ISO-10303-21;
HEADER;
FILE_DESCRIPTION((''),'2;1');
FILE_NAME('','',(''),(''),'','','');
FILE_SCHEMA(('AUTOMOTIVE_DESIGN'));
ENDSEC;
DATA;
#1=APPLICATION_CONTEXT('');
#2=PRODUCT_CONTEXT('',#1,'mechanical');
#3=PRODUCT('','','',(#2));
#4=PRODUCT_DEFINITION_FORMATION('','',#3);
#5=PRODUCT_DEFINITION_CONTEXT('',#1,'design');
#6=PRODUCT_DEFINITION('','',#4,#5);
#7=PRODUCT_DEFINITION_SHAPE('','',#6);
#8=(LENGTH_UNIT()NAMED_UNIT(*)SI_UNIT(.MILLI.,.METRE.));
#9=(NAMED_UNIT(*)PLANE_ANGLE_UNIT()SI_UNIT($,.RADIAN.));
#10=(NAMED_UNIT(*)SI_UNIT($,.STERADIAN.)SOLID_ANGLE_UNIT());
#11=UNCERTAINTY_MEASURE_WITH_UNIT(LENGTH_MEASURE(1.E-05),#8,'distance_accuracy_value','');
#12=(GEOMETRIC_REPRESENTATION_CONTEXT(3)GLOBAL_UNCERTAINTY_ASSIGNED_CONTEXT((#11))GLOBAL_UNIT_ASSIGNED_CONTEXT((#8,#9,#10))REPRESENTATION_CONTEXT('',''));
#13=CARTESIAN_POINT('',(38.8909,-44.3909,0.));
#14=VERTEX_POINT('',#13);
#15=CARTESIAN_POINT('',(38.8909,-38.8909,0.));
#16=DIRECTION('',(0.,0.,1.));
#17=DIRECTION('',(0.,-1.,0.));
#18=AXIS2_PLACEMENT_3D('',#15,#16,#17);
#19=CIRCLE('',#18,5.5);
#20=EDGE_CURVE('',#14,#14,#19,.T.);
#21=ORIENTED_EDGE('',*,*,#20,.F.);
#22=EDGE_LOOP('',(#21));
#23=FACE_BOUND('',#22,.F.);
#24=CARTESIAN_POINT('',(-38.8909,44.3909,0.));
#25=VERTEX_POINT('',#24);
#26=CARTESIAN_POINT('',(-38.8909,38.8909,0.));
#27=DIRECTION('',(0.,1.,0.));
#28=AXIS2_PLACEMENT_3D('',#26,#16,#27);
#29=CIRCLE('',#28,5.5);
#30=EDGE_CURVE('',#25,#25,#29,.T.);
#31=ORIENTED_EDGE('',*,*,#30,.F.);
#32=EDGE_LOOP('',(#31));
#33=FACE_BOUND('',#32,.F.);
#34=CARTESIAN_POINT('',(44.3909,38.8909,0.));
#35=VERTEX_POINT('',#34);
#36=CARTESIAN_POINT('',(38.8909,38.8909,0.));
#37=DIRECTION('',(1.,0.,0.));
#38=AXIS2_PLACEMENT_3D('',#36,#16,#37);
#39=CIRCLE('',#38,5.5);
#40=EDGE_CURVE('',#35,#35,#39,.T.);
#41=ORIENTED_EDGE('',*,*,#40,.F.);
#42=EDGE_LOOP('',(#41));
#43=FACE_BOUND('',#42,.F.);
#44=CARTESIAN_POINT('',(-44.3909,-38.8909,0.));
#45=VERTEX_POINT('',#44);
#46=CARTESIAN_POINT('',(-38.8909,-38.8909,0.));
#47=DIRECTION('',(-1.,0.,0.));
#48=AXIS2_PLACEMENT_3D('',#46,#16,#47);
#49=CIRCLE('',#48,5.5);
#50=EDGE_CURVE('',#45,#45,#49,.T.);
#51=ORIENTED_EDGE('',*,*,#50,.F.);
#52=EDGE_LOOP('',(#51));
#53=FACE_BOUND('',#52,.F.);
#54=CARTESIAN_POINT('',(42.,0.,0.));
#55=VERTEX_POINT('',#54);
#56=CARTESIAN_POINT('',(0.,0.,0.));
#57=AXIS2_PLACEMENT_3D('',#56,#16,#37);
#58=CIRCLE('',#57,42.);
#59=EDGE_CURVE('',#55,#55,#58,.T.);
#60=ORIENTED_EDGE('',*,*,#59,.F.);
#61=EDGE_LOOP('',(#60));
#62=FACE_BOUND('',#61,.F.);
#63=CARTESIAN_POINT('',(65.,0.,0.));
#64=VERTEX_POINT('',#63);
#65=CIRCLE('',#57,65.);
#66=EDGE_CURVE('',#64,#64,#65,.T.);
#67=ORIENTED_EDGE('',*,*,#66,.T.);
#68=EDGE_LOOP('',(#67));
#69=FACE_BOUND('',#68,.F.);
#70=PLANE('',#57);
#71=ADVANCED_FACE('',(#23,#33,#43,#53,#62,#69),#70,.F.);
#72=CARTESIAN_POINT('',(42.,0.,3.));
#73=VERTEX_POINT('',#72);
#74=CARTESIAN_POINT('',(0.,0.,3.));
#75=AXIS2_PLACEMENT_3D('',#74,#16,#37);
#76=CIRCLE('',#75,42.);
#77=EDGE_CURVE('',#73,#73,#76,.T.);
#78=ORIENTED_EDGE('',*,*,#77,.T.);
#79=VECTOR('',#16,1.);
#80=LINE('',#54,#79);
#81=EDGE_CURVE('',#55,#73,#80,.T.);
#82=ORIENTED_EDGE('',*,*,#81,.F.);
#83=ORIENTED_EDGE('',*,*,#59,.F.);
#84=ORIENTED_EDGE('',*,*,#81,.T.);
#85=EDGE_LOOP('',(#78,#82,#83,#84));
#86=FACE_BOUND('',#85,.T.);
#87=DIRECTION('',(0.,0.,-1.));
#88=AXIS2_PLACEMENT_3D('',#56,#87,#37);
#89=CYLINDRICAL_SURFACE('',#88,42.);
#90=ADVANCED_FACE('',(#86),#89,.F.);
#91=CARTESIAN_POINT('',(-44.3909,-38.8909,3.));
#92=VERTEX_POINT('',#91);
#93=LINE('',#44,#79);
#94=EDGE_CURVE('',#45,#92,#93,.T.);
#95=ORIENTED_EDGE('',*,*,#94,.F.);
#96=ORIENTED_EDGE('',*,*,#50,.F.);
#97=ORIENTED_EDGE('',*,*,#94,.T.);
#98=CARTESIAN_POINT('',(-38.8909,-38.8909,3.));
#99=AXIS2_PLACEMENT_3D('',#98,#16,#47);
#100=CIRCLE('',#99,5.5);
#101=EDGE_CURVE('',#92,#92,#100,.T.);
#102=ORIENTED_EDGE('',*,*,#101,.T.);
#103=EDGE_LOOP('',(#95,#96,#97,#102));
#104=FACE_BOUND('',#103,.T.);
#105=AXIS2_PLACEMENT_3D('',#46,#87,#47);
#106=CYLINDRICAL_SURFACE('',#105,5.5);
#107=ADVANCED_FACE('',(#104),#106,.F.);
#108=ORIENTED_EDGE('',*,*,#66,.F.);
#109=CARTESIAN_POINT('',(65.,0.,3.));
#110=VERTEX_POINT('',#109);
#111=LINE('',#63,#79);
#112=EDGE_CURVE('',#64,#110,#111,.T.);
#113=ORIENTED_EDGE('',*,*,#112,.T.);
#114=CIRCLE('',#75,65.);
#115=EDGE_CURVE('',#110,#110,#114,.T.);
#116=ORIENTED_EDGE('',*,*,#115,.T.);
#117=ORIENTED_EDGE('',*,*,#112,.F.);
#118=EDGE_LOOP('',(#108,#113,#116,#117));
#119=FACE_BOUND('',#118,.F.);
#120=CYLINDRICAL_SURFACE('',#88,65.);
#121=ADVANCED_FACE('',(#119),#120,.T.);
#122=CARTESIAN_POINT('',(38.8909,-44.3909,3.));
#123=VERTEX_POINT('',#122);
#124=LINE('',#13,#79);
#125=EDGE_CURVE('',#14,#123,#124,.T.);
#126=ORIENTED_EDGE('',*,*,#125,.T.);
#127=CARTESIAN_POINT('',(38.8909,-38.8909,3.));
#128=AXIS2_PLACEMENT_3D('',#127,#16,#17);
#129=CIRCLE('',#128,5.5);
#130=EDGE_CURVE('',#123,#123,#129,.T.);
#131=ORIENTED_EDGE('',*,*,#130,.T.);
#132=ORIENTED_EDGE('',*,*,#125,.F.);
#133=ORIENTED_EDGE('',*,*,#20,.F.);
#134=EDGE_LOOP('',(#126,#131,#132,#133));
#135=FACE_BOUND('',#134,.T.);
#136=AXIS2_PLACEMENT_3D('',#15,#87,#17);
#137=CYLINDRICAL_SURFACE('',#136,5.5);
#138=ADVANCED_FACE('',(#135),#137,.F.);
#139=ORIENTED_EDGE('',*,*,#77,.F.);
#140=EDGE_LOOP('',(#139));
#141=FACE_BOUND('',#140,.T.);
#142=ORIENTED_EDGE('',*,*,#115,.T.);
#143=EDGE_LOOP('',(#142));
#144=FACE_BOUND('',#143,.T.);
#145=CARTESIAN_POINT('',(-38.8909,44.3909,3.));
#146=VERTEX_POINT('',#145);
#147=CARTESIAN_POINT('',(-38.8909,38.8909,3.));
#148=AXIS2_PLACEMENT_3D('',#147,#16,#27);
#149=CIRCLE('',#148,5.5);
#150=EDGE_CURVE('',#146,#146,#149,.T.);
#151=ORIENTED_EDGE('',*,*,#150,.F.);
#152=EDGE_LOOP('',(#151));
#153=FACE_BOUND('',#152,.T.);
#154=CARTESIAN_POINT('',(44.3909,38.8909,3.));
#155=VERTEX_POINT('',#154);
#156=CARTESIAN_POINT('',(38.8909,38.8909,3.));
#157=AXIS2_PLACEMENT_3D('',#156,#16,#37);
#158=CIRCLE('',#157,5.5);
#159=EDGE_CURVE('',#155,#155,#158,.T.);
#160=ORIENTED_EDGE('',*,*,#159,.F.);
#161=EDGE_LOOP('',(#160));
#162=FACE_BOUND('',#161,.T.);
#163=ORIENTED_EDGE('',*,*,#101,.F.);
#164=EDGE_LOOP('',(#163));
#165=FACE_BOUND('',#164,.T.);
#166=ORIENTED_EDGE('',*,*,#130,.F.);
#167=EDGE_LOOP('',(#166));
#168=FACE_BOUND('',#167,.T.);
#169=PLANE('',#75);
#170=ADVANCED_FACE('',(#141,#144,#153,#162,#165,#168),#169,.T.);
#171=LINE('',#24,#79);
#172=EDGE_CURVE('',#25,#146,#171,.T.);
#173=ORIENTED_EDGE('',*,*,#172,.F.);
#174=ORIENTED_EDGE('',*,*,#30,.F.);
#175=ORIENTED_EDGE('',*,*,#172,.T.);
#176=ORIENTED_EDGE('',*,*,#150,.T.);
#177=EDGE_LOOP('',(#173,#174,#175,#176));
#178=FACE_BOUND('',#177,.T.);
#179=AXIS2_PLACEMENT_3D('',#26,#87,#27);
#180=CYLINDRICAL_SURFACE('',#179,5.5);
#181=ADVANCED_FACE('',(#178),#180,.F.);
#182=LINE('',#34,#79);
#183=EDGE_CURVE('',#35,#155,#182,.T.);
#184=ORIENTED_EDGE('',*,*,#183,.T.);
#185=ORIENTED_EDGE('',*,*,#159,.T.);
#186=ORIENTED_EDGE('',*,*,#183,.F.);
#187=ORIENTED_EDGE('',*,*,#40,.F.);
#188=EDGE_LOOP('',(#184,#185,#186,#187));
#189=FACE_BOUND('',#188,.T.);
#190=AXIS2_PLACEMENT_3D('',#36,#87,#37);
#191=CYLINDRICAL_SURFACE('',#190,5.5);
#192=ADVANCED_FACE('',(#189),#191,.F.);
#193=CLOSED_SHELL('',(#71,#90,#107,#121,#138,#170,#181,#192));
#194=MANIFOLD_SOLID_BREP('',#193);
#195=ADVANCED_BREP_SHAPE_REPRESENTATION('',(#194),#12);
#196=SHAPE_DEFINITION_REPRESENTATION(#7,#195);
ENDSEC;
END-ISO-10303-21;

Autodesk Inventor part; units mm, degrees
ref_plane "YZ Plane" through (0, 0, 0) normal (1, 0, 0) x (0, 1, 0)
ref_plane "XZ Plane" through (0, 0, 0) normal (0, 1, 0) x (-1, 0, 0)
ref_plane "XY Plane" through (0, 0, 0) normal (0, 0, 1) x (1, 0, 0)
sketch "Sketch1" plane through (0, 0, 0) normal (0, 0, 1) x (1, 0, 0)
  circle A0 centre (0, 0) radius 42
  circle A1 centre (0, 0) radius 65
  line L0 (45.9619, -45.9619) -> (-45.9619, 45.9619) construction
  line L1 (-45.9619, -45.9619) -> (45.9619, 45.9619) construction
  point P0 (0, 42)
  dimension "d44" = 84
  dimension "d23" = 130
extrude "Plate1" add sketch "Sketch1" along normal blind 3
sketch "Sketch6" plane through (0, 0, 0) normal (0, 0, 1) x (1, 0, 0)
  line L0 (0, 0) -> (0, 55) construction
  circle A0 centre (0, 0) radius 55 construction
  line L1 (0, 0) -> (38.8909, 38.8909) construction
  circle A1 centre (38.8909, 38.8909) radius 5.5
  dimension "d42" = 72.5
  dimension "d32" = 11
  dimension "d33" = 110
  dimension "d34" = 45
extrude "Cut2" cut sketch "Sketch6" along normal blind 3
pattern_circular "Circular Pattern2" count 4 over 360 about axis through (0, 0, -10) along (0, 0, -1) of "Cut2"
equation "\"d35\" = Thickness"
equation "\"d2\" = Thickness"
equation "\"BendRadius\" = Thickness"
equation "\"BendReliefWidth\" = Thickness"
equation "\"BendReliefDepth\" = 0.5 * Thickness"
equation "\"CornerReliefSize\" = 4 * Thickness"
equation "\"MinimumRemnant\" = 2 * Thickness"
equation "\"TransitionRadius\" = BendRadius"
equation "\"JacobiRadiusSize\" = BendRadius"
equation "\"GapSize\" = Thickness"
equation "\"Octaeder_side\" = d41"
equation "\"Octaeder_flange_lenth\" = d42"
equation "\"Thickness\" = 3"
equation "\"d41\" = 55.918831"
properties part number "DSB 138 head loose flange"
